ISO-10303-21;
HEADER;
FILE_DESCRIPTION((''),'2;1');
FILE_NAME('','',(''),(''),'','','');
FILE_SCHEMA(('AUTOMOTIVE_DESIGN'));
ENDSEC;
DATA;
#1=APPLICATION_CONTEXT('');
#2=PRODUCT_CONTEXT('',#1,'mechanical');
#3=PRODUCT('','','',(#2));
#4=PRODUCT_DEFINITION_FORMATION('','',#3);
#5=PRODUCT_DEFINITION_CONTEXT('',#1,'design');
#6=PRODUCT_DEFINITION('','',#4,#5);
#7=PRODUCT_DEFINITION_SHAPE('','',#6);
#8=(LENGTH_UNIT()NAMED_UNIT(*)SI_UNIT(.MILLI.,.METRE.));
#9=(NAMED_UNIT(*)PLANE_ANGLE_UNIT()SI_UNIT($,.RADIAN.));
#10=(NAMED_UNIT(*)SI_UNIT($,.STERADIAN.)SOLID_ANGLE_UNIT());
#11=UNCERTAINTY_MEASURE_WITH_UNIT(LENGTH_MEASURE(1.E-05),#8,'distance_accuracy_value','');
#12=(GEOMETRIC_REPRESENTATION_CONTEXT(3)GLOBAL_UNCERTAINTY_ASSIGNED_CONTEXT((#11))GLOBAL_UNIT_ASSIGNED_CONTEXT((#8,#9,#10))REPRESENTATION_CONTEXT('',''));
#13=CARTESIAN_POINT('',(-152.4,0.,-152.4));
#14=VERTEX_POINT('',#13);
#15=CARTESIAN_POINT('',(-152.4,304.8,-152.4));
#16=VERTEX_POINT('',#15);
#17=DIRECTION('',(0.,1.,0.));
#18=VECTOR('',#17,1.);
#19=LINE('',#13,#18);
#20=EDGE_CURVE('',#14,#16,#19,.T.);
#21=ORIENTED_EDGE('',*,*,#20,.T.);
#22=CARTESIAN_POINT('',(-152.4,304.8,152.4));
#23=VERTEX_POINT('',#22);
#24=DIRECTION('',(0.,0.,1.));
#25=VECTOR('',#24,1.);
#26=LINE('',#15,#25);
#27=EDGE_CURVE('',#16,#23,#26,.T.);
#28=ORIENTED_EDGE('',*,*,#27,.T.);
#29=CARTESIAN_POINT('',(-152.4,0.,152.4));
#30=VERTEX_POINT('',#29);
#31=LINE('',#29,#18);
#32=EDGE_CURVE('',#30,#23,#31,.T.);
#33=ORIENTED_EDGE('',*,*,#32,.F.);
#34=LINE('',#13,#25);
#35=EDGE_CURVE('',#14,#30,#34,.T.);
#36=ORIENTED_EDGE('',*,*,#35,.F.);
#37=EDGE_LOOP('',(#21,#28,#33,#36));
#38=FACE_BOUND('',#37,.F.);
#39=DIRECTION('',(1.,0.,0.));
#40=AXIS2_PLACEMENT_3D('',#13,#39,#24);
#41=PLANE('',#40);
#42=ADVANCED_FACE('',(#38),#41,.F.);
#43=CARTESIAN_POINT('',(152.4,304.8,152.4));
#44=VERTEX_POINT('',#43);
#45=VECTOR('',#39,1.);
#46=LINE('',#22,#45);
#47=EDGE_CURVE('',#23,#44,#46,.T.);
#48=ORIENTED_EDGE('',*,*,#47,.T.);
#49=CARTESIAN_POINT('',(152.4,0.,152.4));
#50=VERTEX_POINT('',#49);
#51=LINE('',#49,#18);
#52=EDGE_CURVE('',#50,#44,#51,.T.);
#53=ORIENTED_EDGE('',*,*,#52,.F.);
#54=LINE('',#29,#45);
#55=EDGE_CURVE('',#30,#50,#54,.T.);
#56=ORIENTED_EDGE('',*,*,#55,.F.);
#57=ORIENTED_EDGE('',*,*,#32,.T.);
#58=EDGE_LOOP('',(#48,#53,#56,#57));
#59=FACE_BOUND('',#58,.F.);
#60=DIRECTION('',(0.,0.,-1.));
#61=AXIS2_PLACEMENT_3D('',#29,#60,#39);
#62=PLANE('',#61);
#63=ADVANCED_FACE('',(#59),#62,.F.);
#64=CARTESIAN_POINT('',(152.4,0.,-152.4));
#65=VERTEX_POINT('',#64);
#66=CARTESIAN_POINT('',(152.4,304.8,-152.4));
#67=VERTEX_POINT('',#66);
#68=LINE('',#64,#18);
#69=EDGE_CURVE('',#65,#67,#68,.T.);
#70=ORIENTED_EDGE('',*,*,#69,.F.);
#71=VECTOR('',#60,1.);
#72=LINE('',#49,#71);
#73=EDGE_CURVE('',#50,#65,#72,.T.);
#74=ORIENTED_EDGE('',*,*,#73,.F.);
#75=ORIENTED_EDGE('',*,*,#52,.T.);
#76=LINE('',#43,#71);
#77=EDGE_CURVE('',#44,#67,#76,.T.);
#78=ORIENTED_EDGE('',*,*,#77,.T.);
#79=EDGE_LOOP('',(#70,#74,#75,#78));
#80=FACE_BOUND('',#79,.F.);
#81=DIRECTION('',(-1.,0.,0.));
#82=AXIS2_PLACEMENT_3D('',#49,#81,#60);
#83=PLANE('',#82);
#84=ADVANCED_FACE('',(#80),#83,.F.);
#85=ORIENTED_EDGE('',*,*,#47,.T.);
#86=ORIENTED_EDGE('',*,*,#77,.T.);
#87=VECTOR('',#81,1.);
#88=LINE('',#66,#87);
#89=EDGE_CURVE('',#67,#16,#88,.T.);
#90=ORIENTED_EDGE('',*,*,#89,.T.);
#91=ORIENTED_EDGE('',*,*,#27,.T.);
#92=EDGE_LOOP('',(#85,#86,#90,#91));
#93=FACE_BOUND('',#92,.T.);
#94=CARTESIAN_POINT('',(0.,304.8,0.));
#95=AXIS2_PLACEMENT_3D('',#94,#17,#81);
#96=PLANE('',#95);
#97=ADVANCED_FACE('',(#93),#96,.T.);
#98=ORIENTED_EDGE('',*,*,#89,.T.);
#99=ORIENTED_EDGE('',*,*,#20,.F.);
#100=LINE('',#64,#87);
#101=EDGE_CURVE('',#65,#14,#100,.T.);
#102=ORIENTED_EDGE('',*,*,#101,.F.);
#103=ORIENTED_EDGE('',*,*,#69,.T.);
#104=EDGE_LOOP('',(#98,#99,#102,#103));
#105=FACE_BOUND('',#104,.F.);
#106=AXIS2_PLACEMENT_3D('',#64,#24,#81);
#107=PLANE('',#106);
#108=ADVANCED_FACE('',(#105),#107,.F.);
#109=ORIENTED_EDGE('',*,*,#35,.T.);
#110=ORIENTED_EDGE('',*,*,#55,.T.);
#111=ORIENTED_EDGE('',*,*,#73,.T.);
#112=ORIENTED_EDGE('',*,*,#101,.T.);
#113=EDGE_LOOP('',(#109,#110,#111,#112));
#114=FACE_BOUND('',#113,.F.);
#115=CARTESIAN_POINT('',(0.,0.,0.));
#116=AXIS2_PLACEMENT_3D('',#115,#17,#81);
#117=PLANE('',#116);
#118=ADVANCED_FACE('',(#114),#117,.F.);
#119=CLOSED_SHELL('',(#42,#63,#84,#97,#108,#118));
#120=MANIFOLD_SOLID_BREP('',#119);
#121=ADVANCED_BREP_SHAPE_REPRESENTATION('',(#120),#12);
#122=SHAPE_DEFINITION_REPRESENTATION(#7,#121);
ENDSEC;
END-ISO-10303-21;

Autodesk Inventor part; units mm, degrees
ref_plane "YZ Plane" through (0, 0, 0) normal (1, 0, 0) x (0, 1, 0)
ref_plane "XZ Plane" through (0, 0, 0) normal (0, 1, 0) x (-1, 0, 0)
ref_plane "XY Plane" through (0, 0, 0) normal (0, 0, 1) x (1, 0, 0)
sketch "Sketch1" plane through (0, 0, 0) normal (0, 1, 0) x (-1, 0, 0)
  line L0 (152.4, 152.4) -> (-152.4, 152.4)
  line L1 (-152.4, 152.4) -> (-152.4, -152.4)
  line L2 (-152.4, -152.4) -> (152.4, -152.4)
  line L3 (152.4, -152.4) -> (152.4, 152.4)
  line L4 (152.4, 152.4) -> (-152.4, -152.4) construction
  line L5 (-152.4, 152.4) -> (152.4, -152.4) construction
  point P0 (0, 0)
  dimension "d0" = 304.8
  dimension "d1" = 304.8
extrude "Extrusion1" add sketch "Sketch1" along normal blind 304.8
properties part number "CE-5.2.2-01-WF"
